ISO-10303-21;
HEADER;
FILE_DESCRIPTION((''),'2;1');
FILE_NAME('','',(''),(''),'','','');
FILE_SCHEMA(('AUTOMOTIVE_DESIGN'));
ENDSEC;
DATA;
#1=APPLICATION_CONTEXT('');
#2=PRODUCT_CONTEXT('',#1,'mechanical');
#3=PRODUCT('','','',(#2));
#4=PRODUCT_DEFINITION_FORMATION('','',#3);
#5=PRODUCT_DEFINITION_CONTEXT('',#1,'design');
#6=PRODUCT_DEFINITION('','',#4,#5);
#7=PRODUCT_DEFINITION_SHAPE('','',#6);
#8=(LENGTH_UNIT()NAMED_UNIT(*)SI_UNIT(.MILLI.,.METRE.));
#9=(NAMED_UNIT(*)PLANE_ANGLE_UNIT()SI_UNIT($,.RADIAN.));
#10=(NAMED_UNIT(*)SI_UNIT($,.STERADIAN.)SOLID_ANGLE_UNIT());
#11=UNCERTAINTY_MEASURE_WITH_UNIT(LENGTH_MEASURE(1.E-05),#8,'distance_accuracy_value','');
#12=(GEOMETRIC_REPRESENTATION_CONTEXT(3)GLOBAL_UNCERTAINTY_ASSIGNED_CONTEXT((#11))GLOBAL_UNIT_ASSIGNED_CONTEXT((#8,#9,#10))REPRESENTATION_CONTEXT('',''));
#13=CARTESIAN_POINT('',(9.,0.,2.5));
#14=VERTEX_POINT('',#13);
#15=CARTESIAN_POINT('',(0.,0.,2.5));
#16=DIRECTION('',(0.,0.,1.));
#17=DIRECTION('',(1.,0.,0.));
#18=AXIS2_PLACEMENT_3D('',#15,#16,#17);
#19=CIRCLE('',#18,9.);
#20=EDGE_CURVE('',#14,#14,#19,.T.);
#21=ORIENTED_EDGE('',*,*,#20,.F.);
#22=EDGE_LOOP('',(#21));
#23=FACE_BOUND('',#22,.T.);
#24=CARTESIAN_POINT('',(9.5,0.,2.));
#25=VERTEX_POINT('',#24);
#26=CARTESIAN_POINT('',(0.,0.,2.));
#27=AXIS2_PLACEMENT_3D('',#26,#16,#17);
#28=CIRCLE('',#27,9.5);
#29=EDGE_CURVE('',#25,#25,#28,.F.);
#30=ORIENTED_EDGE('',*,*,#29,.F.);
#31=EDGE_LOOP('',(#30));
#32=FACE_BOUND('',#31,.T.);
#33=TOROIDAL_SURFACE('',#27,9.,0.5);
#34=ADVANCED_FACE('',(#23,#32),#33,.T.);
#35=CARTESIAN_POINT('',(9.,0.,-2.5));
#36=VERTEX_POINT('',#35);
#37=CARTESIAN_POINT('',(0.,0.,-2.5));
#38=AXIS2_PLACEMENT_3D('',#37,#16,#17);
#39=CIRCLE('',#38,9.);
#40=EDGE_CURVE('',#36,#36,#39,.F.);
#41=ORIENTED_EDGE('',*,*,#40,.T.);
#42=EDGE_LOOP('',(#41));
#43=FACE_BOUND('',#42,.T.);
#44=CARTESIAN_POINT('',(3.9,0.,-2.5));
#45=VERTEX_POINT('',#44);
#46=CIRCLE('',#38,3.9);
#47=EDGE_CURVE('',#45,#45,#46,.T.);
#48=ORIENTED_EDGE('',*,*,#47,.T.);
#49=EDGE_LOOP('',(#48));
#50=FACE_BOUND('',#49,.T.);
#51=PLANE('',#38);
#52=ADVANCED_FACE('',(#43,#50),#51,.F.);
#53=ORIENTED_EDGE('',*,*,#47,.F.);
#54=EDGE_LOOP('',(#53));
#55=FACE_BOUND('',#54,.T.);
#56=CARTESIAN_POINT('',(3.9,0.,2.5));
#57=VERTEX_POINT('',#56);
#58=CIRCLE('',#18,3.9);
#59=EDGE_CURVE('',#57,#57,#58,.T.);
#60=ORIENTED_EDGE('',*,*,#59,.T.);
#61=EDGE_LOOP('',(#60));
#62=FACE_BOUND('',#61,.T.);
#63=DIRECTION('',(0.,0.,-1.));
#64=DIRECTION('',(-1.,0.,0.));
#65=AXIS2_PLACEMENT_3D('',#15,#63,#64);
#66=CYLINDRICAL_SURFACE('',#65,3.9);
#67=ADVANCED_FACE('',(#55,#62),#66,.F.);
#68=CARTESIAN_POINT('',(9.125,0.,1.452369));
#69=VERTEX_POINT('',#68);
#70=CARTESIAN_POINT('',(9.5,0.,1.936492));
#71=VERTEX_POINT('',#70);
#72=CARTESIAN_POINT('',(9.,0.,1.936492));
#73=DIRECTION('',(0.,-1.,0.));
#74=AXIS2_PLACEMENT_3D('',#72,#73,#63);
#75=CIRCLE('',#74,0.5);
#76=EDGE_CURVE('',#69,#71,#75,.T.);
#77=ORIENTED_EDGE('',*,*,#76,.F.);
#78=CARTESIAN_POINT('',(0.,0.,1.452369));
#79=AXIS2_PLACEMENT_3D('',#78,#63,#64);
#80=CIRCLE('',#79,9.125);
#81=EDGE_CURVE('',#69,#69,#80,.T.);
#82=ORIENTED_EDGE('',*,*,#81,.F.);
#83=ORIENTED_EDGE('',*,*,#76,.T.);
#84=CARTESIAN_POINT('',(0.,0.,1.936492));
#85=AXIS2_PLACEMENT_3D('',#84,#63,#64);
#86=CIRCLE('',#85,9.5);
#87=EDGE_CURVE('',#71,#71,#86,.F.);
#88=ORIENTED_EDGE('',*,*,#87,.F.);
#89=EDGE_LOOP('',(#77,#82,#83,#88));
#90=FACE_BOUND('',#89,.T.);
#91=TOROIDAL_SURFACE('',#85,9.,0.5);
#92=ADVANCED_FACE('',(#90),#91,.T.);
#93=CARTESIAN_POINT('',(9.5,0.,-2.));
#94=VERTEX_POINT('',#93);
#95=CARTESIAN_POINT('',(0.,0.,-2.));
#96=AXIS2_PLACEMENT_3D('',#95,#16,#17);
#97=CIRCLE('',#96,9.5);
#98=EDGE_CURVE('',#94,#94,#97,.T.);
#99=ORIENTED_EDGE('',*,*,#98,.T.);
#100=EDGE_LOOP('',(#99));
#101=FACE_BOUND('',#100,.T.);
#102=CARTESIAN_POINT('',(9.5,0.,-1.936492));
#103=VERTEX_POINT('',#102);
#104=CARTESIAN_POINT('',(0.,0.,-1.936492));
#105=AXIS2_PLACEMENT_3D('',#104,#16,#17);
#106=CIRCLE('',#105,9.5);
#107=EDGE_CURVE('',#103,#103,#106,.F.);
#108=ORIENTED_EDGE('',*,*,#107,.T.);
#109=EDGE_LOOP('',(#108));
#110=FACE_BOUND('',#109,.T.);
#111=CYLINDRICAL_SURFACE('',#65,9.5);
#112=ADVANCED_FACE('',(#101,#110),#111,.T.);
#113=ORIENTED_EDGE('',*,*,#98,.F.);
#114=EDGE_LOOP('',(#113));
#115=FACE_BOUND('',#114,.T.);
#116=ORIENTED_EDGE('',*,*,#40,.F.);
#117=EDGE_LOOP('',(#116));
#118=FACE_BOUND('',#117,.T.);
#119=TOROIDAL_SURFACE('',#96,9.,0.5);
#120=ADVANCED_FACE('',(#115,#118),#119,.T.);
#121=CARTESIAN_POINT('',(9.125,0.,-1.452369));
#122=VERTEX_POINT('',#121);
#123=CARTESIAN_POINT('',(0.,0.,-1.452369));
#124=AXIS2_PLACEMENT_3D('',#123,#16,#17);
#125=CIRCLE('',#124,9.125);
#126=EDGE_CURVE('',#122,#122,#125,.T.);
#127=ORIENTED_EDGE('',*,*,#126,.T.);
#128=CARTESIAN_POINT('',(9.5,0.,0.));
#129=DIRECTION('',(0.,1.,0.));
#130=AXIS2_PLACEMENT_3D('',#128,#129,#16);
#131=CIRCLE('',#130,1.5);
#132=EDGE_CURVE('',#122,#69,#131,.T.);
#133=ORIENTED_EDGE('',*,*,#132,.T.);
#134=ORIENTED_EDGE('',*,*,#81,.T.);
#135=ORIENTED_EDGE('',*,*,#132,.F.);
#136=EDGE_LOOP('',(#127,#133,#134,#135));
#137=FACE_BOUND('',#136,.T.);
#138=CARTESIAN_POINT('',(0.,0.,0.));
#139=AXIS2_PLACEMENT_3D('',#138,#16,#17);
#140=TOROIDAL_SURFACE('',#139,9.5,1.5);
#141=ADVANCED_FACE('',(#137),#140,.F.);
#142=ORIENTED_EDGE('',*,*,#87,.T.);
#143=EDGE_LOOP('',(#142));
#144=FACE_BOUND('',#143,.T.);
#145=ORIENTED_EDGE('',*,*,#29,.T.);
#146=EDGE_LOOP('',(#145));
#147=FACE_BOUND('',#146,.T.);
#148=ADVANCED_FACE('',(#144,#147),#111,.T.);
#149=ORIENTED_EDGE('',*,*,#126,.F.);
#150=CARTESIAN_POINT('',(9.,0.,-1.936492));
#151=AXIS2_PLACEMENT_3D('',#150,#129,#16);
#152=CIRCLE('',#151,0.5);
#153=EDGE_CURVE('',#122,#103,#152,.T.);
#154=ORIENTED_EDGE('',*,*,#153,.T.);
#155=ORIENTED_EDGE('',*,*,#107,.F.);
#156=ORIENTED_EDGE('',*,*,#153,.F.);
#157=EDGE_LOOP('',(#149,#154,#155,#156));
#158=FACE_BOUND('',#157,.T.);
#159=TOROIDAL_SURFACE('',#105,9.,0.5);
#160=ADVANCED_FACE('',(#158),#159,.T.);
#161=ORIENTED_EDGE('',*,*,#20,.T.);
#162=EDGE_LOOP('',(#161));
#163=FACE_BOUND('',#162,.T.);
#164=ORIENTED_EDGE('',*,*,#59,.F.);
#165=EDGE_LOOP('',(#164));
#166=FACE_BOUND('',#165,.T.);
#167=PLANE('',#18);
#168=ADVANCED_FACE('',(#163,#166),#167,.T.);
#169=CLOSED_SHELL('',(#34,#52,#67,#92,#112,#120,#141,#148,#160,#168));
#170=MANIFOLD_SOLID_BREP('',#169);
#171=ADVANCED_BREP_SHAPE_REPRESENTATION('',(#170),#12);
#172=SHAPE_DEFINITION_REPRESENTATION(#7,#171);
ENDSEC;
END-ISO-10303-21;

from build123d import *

# Parameters (mm, degrees)
SKETCH_1_R      = 9.5
SKETCH_1_R_2    = 3.9
EXTRUDE_1_DEPTH = 2.5
SKETCH_3_R      = 1.5
FILLET_1_R      = 0.5
FILLET_2_R      = 0.5


with BuildPart() as part:
    # Эскиз1 → Бобышка-Вытянуть1 (new, symmetric)
    with BuildSketch(Plane.XY):
        Circle(SKETCH_1_R)
        Circle(SKETCH_1_R_2, mode=Mode.SUBTRACT)
    extrude(amount=EXTRUDE_1_DEPTH, both=True)

    # Вырез-По траектории1: sweep along a path in Эскиз4
    with BuildLine(Plane.XY) as sweep_1_path:
        CenterArc((0, 0), 9.5, 0, 360)
    # Эскиз3 → Вырез-По траектории1 (sweep, cut)
    with BuildSketch(Plane(origin=(0, 0, 0), x_dir=(1, 0, 0), z_dir=(0, 1, 0))):
        with Locations((9.5, 0)):
            Circle(SKETCH_3_R)
    sweep(path=sweep_1_path.line, mode=Mode.SUBTRACT)

    # Скругление1
    fillet_1_edges = [part.edges().sort_by_distance(p)[0] for p in [
        (-9.5, 0, -2.5),
        (-9.5, 0, 2.5),
    ]]
    fillet(fillet_1_edges, radius=FILLET_1_R)

    # Скругление2
    fillet_2_edges = [part.edges().sort_by_distance(p)[0] for p in [
        (-9.5, 0, 1.5),
        (-9.5, 0, -1.5),
    ]]
    fillet(fillet_2_edges, radius=FILLET_2_R)


solid = part.part
